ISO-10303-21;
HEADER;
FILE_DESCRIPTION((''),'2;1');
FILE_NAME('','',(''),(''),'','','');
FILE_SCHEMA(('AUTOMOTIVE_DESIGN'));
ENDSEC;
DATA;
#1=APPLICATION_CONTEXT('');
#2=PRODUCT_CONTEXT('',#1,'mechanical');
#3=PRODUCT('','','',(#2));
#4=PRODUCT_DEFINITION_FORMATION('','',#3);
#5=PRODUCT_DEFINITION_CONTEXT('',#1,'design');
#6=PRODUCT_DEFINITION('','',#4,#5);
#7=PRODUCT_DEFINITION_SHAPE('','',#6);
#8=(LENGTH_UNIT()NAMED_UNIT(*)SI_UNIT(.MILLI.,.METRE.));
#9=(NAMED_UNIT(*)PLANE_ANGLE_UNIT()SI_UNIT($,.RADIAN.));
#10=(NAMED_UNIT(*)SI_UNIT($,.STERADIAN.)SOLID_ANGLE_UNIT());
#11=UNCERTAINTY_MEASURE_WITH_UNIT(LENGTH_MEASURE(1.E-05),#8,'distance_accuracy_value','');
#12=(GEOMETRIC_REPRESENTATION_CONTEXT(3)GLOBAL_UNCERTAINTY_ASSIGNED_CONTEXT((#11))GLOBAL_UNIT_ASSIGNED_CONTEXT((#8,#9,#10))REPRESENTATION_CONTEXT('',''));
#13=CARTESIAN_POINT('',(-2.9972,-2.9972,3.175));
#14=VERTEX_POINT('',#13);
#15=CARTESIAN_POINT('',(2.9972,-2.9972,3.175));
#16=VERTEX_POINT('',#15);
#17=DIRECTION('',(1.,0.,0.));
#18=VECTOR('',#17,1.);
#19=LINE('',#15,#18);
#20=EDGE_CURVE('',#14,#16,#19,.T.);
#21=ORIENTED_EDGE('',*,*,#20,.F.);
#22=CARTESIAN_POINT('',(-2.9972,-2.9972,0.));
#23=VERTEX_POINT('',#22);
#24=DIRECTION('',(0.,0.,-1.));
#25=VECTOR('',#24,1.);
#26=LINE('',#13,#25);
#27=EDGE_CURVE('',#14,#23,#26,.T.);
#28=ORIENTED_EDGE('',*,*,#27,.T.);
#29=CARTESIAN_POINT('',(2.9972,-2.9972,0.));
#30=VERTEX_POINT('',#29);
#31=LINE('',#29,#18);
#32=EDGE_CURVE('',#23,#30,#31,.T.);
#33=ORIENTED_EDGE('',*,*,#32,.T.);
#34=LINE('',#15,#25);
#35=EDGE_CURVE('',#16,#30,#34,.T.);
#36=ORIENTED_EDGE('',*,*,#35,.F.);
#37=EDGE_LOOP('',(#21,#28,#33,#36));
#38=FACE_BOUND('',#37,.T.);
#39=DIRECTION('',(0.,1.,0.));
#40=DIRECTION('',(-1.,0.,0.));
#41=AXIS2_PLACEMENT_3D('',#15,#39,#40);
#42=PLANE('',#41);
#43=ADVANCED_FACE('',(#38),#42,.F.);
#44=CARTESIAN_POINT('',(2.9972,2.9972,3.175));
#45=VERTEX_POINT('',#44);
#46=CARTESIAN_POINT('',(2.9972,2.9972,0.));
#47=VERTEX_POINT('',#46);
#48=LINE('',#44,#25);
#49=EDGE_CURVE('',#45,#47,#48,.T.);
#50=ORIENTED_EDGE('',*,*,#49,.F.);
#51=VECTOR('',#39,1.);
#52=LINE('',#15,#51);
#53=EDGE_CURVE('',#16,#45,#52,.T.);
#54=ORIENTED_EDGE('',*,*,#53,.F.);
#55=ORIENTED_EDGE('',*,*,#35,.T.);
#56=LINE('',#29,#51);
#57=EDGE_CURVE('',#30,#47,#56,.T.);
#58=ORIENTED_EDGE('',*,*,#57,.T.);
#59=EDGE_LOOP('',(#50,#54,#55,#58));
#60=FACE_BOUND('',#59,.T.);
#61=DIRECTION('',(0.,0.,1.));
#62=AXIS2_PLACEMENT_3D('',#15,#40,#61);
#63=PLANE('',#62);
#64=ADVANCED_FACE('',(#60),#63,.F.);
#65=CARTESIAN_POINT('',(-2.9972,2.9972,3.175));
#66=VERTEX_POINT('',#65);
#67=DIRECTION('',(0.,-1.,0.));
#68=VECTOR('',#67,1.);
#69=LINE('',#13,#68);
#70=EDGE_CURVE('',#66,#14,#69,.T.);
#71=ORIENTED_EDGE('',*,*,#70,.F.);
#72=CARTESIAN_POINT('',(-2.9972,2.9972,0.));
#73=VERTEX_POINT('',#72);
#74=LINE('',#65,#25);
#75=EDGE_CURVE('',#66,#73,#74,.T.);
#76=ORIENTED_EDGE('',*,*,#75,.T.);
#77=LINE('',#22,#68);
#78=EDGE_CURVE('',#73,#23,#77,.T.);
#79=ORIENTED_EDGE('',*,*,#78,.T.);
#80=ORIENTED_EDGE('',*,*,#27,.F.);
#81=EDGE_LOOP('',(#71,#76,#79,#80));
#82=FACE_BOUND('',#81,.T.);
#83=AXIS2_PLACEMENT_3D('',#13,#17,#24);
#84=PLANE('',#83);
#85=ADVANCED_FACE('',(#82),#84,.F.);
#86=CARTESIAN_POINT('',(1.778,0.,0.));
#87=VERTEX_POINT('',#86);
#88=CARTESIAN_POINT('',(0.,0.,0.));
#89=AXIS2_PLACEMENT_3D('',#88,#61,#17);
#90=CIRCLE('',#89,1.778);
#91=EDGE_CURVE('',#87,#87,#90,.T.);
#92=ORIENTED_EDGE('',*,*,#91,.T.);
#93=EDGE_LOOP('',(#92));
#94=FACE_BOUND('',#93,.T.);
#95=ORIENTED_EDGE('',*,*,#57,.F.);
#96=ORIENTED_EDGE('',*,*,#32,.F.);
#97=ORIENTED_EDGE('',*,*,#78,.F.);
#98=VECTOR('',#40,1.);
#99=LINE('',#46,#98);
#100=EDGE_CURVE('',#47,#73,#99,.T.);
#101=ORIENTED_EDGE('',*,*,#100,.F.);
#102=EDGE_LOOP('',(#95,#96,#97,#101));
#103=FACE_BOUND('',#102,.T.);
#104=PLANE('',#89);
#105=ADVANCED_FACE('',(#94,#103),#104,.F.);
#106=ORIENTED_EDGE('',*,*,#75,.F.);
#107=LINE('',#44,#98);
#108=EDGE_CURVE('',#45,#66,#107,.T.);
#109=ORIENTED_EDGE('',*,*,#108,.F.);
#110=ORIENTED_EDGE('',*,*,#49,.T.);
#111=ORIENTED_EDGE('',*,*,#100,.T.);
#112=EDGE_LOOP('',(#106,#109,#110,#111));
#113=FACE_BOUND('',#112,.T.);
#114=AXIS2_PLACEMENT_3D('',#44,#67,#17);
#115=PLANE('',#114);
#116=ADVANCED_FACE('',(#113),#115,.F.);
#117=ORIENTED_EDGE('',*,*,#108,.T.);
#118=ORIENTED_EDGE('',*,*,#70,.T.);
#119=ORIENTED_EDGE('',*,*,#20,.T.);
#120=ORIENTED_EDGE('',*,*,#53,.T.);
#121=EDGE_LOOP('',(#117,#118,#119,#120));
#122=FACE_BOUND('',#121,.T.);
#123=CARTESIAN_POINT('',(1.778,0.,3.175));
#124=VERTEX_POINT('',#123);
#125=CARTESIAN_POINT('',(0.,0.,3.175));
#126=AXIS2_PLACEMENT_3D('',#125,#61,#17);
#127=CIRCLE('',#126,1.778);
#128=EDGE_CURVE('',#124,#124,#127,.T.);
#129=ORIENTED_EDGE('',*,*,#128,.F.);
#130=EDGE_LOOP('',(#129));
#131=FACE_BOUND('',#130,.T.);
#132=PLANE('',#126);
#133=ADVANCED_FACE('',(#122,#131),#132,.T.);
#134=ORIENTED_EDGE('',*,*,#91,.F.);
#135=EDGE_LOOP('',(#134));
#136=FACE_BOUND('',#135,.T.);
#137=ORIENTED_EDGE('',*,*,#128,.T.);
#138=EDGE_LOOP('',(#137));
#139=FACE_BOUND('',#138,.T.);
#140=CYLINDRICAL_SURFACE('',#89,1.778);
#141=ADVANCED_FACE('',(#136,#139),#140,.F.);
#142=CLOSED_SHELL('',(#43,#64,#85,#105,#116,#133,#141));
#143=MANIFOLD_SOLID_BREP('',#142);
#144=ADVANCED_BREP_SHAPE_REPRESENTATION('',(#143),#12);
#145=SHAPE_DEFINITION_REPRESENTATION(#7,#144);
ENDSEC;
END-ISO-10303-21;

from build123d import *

# Parameters (mm, degrees)
SKETCH1_W           = 5.9944
SKETCH1_H           = 5.9944
BOSS_EXTRUDE1_DEPTH = 3.175
SKETCH2_R           = 1.778
CUT_EXTRUDE1_DEPTH  = 3.175


with BuildPart() as part:
    # Sketch1 → Boss-Extrude1 (new body)
    with BuildSketch(Plane.XY):
        Rectangle(SKETCH1_W, SKETCH1_H)
    extrude(amount=BOSS_EXTRUDE1_DEPTH)

    # Sketch2 → Cut-Extrude1 (cut)
    with BuildSketch(Plane.XY.offset(3.175)):
        Circle(SKETCH2_R)
    extrude(amount=-CUT_EXTRUDE1_DEPTH, mode=Mode.SUBTRACT)


solid = part.part
